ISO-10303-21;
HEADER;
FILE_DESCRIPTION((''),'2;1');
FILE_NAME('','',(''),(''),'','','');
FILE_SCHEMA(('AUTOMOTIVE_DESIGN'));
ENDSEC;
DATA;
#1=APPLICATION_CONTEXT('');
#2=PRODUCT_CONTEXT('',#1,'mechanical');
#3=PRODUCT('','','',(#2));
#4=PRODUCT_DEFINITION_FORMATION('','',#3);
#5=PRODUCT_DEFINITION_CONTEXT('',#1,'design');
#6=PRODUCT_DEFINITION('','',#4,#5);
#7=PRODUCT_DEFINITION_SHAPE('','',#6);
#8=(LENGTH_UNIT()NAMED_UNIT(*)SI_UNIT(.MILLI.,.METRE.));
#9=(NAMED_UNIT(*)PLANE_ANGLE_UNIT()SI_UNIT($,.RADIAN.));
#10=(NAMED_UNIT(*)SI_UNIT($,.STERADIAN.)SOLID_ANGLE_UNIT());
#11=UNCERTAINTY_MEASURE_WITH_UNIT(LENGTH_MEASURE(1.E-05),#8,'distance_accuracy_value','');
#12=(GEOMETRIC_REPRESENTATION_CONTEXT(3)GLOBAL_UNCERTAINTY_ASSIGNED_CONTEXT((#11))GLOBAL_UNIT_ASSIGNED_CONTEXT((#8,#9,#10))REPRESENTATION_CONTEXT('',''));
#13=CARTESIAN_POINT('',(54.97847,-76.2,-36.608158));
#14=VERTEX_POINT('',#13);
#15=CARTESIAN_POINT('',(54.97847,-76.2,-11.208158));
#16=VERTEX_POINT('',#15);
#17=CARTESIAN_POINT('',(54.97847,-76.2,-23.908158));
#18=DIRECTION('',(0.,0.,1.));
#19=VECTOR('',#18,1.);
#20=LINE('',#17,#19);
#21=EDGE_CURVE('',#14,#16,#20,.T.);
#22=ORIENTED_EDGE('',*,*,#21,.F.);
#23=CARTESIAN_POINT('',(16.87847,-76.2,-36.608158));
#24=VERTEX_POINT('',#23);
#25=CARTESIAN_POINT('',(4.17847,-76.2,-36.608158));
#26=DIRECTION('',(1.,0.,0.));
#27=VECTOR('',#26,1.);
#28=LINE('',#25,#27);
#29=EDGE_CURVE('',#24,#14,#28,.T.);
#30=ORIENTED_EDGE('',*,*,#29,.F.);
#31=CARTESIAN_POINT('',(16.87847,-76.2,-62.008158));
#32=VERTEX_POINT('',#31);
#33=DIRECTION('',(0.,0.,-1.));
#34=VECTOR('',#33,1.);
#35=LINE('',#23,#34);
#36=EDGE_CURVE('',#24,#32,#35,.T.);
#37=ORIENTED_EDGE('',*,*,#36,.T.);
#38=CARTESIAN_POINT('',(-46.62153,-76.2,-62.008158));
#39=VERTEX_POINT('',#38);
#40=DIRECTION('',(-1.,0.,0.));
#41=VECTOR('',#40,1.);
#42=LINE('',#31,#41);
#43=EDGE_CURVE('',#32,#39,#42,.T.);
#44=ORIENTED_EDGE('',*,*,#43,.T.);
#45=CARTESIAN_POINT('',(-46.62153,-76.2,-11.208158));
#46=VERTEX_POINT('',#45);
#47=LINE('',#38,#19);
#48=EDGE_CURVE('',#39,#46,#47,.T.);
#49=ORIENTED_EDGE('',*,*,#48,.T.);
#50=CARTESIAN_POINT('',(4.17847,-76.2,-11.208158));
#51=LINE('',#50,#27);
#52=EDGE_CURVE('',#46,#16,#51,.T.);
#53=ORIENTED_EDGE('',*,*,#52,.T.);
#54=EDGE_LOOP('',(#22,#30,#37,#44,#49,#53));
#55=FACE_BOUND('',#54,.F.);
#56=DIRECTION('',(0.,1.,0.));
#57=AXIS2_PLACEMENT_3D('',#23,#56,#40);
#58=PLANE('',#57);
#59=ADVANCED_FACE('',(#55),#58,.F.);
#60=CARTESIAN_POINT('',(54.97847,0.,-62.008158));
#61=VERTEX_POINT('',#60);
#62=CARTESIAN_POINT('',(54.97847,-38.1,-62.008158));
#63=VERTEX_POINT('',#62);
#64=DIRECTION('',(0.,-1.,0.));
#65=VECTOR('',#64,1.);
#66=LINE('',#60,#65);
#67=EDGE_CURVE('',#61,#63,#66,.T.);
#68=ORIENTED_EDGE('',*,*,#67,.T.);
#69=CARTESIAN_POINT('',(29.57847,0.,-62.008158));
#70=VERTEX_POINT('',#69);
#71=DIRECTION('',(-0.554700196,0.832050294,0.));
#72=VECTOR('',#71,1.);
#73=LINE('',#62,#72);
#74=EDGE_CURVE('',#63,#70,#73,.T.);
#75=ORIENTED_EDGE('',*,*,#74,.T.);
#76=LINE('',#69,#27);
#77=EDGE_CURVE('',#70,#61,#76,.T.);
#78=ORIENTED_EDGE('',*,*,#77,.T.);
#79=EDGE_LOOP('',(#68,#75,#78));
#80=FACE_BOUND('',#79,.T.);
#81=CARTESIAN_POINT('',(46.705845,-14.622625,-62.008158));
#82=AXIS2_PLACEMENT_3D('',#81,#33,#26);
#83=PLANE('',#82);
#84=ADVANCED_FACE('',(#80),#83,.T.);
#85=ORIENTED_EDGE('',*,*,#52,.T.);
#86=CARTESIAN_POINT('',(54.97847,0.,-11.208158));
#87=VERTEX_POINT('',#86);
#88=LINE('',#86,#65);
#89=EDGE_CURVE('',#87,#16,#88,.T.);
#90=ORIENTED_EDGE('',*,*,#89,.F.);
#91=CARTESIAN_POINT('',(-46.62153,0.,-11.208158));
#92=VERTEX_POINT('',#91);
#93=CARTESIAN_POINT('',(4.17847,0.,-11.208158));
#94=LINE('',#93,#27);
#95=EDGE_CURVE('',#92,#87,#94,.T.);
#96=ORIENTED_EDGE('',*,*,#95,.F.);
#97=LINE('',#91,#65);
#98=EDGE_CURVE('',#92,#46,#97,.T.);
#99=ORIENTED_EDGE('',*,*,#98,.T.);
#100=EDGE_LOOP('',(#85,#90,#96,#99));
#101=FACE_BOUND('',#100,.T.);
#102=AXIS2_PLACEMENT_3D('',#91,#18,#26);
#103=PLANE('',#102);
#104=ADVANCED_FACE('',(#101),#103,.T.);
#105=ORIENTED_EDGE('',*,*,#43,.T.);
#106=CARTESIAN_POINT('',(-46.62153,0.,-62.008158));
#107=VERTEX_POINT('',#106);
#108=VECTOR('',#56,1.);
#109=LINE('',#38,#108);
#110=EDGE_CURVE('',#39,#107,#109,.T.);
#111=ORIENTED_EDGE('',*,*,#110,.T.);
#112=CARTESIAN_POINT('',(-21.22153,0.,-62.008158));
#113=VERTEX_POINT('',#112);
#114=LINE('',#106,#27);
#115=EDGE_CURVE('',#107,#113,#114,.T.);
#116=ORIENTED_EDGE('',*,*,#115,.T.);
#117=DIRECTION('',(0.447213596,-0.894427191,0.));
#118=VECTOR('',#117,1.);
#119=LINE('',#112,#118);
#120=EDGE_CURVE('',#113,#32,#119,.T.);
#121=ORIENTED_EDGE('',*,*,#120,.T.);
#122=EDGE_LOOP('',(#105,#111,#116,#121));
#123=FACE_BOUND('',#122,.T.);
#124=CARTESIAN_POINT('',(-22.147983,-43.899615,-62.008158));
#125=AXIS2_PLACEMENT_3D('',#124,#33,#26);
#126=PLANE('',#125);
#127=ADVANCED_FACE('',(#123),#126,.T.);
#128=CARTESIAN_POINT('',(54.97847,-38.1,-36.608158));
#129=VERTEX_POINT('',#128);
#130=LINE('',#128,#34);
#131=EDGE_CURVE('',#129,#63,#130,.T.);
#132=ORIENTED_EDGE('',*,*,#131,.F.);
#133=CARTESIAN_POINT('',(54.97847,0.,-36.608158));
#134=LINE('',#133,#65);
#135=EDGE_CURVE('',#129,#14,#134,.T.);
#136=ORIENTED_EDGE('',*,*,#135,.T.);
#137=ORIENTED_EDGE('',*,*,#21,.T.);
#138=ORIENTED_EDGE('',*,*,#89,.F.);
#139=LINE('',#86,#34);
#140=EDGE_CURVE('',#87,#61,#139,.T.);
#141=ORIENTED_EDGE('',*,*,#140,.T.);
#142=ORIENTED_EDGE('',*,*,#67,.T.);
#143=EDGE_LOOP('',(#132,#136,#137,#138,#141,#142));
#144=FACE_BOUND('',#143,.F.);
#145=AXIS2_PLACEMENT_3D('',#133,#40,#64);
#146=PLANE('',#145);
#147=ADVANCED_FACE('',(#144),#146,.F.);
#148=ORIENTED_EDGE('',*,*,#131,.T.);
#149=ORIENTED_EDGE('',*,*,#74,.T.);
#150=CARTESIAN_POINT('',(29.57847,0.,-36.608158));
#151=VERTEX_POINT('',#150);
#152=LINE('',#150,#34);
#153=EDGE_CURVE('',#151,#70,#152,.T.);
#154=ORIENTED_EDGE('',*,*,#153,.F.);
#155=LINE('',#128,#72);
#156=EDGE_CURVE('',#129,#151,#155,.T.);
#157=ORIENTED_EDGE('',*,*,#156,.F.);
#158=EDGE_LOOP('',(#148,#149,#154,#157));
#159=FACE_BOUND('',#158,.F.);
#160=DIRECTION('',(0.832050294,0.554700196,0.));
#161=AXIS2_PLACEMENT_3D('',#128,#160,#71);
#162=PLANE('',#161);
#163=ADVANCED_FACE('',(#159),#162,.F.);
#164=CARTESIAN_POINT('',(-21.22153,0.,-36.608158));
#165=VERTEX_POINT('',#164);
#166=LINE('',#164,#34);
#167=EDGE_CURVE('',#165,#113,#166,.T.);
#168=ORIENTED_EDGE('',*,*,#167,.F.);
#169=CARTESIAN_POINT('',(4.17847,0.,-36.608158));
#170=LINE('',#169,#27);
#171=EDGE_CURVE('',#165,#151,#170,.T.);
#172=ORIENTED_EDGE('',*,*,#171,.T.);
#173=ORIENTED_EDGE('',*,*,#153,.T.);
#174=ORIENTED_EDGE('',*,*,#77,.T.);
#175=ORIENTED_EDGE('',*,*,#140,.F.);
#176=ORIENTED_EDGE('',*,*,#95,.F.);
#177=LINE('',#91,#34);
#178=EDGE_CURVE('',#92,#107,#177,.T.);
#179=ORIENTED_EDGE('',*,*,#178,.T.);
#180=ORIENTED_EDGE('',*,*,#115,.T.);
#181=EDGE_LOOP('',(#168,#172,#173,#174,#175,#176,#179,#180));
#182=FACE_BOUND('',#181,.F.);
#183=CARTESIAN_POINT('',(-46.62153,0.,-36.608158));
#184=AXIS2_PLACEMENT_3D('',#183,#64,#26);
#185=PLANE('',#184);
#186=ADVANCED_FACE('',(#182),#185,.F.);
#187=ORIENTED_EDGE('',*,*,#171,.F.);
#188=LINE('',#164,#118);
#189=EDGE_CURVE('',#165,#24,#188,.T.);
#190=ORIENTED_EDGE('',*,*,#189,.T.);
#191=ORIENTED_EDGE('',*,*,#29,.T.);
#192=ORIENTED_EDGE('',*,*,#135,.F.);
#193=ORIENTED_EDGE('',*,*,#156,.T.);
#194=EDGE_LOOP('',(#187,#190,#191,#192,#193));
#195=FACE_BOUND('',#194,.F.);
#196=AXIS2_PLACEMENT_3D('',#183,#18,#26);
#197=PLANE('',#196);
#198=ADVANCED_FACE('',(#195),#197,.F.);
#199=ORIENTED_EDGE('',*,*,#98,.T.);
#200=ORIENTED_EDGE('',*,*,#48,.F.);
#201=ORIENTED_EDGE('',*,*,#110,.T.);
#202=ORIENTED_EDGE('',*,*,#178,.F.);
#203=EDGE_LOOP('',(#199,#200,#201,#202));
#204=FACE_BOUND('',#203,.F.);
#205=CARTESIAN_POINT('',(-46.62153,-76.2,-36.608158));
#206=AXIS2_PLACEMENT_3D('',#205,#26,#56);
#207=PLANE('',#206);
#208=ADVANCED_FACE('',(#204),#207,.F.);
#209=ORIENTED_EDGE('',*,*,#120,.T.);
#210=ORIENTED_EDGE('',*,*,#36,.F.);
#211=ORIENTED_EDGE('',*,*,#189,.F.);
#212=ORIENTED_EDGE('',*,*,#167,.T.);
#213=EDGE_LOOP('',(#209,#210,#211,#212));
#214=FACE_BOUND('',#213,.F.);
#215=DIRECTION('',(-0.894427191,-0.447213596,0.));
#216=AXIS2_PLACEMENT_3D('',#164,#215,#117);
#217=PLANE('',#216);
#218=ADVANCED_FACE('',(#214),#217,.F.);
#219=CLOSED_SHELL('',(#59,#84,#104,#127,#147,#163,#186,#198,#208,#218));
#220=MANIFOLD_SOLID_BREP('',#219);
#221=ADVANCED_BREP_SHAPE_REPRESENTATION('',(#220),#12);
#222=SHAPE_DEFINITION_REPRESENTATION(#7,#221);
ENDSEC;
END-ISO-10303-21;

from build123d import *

# Parameters (mm, degrees)
F0_W     = 101.6
F0_H     = 25.4
F1_DEPTH = 76.2
F3_DEPTH = 25.4
F5_DEPTH = 25.4


with BuildPart() as f1:
    # F0 (on Front) → F1 (new body)
    with BuildSketch(Plane.XZ):
        with Locations((4.17847, -23.908158)):
            Rectangle(F0_W, F0_H)
    extrude(amount=F1_DEPTH)

    # F2 (on face) → F3 (join)
    with BuildSketch(Plane(origin=(0, 0, -36.608158), x_dir=(1, 0, 0), z_dir=(0, 0, -1))):
        Polygon((29.57847, 0), (54.97847, 0), (54.97847, 38.1), align=None)
    extrude(amount=F3_DEPTH)

    # F4 (on face) → F5 (join)
    with BuildSketch(Plane(origin=(0, 0, -36.608158), x_dir=(1, 0, 0), z_dir=(0, 0, -1))):
        Polygon((-46.62153, 76.2), (-46.62153, 0), (-21.22153, 0), (16.87847, 76.2), align=None)
    extrude(amount=F5_DEPTH)


solid = f1.part
